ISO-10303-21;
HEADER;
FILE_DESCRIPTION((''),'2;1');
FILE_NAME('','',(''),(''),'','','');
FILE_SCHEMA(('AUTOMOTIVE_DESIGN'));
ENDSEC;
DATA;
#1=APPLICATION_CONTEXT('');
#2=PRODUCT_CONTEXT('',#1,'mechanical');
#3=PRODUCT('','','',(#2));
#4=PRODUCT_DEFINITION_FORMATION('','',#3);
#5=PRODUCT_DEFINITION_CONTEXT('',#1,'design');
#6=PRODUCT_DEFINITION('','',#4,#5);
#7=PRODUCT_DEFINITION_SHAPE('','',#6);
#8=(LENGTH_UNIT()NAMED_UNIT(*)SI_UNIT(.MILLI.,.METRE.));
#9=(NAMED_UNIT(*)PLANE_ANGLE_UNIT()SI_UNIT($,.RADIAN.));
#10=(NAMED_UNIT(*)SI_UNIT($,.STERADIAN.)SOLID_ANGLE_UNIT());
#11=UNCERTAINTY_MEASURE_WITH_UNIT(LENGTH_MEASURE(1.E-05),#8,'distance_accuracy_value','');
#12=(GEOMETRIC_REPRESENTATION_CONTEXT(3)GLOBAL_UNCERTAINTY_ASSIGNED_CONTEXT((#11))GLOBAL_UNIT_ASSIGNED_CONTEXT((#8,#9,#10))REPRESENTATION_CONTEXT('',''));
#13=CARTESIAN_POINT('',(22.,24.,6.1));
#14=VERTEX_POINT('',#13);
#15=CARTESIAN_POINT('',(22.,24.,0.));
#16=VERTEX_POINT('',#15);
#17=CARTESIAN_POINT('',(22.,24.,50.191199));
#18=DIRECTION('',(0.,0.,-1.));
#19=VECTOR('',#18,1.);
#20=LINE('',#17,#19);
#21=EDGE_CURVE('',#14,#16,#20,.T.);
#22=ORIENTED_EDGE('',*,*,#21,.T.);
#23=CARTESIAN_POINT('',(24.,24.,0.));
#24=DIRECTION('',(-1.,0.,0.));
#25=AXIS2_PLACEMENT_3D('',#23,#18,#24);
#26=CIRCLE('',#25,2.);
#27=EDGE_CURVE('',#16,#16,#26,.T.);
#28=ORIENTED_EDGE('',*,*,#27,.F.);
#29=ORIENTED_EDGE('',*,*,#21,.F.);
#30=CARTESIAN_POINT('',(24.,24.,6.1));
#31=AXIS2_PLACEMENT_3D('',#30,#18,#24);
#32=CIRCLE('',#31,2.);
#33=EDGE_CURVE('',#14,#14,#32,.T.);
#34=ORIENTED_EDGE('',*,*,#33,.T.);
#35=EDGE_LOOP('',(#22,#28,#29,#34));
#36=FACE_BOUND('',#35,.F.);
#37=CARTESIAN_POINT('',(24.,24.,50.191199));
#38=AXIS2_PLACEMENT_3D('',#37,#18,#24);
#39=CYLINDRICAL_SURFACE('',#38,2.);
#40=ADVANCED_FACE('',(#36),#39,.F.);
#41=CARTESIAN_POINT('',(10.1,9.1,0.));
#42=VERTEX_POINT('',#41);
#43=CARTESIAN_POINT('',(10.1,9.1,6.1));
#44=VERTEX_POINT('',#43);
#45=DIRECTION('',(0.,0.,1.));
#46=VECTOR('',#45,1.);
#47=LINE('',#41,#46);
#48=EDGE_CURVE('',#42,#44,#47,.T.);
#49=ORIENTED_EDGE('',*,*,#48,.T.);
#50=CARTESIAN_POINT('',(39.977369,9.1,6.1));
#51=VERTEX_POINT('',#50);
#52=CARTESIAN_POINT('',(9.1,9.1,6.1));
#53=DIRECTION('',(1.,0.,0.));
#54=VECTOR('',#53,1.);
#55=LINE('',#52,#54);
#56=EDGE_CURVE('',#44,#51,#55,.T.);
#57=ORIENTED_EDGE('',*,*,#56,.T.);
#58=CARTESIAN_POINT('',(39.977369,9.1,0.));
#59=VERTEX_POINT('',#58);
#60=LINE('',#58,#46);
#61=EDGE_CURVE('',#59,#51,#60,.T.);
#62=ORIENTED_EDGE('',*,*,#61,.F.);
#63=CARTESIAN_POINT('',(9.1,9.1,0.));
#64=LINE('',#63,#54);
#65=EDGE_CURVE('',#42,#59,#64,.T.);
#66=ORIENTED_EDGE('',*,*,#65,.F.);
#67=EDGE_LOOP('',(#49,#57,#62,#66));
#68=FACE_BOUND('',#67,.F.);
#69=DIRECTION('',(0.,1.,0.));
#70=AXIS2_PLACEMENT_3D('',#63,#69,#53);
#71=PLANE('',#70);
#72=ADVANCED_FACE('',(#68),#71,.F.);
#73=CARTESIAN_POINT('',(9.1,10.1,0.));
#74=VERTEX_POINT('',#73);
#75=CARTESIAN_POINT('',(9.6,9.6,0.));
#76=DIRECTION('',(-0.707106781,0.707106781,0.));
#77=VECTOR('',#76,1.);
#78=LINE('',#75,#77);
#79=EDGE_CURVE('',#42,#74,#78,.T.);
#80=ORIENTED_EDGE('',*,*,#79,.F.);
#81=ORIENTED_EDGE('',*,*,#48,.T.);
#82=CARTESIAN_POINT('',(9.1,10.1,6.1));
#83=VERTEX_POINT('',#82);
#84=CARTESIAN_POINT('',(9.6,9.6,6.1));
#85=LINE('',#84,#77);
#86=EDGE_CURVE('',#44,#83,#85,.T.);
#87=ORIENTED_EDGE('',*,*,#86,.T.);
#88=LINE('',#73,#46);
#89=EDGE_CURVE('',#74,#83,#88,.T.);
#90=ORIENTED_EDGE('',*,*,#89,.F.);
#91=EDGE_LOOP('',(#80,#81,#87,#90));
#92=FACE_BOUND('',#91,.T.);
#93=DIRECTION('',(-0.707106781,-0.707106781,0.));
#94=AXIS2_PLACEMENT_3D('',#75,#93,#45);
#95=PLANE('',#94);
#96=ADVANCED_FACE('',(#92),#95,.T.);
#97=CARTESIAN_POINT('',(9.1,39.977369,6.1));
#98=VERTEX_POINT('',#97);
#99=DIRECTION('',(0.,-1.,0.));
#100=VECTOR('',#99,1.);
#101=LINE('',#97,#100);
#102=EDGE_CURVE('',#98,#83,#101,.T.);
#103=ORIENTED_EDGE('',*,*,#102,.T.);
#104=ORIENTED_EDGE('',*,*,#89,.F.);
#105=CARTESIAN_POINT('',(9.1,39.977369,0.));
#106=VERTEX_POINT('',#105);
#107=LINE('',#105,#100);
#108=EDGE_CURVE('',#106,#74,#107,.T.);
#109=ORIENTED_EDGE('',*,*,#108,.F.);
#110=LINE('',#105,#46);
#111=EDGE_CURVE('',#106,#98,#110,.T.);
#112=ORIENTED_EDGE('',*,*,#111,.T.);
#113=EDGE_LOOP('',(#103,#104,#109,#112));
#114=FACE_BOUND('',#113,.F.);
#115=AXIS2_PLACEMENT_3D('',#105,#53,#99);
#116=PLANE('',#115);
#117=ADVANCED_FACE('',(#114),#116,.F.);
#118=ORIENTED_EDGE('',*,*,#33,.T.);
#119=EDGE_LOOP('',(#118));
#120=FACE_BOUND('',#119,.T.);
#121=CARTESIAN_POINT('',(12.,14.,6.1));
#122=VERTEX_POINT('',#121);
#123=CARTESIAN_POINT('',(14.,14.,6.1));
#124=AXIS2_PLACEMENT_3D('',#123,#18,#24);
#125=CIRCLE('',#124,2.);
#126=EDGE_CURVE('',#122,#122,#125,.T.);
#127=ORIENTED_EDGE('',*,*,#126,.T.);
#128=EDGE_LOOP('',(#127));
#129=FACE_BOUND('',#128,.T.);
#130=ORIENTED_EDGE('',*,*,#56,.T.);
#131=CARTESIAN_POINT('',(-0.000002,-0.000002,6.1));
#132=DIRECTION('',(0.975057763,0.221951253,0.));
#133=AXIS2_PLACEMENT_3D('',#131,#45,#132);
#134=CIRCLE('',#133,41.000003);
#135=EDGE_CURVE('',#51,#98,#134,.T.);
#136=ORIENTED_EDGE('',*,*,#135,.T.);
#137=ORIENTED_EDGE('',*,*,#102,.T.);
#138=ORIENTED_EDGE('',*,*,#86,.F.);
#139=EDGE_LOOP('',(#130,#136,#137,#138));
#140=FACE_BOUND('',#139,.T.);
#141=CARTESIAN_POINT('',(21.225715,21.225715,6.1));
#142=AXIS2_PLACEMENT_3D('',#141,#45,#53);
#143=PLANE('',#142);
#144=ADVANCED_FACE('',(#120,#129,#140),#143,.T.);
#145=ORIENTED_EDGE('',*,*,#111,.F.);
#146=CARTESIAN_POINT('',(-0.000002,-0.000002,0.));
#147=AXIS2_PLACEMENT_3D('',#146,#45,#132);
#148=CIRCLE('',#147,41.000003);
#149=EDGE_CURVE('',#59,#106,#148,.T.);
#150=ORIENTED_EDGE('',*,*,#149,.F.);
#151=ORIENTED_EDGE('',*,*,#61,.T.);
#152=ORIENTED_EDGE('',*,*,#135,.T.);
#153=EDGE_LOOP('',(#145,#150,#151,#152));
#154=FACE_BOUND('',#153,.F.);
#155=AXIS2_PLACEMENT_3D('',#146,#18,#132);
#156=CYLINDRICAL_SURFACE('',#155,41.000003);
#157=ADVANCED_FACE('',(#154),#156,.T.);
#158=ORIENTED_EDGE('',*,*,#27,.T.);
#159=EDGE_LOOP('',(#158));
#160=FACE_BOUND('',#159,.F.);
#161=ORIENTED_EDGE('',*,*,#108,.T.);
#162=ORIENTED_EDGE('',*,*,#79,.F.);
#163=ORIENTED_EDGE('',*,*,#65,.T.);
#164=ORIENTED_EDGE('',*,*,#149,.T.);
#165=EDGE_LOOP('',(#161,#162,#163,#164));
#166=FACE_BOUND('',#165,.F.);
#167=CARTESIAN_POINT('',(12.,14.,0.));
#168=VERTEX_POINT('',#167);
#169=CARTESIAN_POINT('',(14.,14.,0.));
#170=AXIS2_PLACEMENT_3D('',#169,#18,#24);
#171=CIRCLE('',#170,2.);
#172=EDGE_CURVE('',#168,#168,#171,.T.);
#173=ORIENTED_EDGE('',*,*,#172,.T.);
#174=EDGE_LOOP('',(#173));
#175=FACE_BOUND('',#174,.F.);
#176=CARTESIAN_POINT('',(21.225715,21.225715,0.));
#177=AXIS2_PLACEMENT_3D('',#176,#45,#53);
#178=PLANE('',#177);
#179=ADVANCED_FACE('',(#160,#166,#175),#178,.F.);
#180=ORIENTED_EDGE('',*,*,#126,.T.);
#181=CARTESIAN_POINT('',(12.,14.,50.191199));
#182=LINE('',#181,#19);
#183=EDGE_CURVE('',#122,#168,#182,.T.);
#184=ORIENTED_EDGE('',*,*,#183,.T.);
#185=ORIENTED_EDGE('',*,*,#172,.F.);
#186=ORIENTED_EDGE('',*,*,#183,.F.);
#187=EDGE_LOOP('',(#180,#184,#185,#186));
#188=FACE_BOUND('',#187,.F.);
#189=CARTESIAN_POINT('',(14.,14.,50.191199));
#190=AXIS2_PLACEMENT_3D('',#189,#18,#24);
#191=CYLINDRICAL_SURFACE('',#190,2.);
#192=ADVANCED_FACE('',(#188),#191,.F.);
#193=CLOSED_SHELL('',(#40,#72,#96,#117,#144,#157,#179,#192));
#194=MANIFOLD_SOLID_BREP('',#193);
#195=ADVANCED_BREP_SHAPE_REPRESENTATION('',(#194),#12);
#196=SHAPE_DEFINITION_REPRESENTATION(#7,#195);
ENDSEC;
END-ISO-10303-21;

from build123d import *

# Parameters (mm, degrees)
F1_DEPTH = 6.1
F3_D     = 4
F4_SIZE  = 1


with BuildPart() as f1:
    # F0 (on Top) → F1 (new body)
    with BuildSketch(Plane.XY):
        with BuildLine():
            Line((9.1, 9.1), (39.977369, 9.1))
            ThreePointArc((39.977369, 9.1), (28.991378, 28.991378), (9.1, 39.977369))
            Line((9.1, 39.977369), (9.1, 9.1))
        make_face()
    extrude(amount=F1_DEPTH)

    # F3 (through all)
    with Locations(Plane.XY.offset(6.1)):
        with Locations((14, 14), (24, 24)):
            Hole(F3_D / 2)

    # F4
    f4_edges = [f1.edges().sort_by_distance(p)[0] for p in [
        (9.1, 9.1, 3.05),
    ]]
    chamfer(f4_edges, length=F4_SIZE)


solid = f1.part
